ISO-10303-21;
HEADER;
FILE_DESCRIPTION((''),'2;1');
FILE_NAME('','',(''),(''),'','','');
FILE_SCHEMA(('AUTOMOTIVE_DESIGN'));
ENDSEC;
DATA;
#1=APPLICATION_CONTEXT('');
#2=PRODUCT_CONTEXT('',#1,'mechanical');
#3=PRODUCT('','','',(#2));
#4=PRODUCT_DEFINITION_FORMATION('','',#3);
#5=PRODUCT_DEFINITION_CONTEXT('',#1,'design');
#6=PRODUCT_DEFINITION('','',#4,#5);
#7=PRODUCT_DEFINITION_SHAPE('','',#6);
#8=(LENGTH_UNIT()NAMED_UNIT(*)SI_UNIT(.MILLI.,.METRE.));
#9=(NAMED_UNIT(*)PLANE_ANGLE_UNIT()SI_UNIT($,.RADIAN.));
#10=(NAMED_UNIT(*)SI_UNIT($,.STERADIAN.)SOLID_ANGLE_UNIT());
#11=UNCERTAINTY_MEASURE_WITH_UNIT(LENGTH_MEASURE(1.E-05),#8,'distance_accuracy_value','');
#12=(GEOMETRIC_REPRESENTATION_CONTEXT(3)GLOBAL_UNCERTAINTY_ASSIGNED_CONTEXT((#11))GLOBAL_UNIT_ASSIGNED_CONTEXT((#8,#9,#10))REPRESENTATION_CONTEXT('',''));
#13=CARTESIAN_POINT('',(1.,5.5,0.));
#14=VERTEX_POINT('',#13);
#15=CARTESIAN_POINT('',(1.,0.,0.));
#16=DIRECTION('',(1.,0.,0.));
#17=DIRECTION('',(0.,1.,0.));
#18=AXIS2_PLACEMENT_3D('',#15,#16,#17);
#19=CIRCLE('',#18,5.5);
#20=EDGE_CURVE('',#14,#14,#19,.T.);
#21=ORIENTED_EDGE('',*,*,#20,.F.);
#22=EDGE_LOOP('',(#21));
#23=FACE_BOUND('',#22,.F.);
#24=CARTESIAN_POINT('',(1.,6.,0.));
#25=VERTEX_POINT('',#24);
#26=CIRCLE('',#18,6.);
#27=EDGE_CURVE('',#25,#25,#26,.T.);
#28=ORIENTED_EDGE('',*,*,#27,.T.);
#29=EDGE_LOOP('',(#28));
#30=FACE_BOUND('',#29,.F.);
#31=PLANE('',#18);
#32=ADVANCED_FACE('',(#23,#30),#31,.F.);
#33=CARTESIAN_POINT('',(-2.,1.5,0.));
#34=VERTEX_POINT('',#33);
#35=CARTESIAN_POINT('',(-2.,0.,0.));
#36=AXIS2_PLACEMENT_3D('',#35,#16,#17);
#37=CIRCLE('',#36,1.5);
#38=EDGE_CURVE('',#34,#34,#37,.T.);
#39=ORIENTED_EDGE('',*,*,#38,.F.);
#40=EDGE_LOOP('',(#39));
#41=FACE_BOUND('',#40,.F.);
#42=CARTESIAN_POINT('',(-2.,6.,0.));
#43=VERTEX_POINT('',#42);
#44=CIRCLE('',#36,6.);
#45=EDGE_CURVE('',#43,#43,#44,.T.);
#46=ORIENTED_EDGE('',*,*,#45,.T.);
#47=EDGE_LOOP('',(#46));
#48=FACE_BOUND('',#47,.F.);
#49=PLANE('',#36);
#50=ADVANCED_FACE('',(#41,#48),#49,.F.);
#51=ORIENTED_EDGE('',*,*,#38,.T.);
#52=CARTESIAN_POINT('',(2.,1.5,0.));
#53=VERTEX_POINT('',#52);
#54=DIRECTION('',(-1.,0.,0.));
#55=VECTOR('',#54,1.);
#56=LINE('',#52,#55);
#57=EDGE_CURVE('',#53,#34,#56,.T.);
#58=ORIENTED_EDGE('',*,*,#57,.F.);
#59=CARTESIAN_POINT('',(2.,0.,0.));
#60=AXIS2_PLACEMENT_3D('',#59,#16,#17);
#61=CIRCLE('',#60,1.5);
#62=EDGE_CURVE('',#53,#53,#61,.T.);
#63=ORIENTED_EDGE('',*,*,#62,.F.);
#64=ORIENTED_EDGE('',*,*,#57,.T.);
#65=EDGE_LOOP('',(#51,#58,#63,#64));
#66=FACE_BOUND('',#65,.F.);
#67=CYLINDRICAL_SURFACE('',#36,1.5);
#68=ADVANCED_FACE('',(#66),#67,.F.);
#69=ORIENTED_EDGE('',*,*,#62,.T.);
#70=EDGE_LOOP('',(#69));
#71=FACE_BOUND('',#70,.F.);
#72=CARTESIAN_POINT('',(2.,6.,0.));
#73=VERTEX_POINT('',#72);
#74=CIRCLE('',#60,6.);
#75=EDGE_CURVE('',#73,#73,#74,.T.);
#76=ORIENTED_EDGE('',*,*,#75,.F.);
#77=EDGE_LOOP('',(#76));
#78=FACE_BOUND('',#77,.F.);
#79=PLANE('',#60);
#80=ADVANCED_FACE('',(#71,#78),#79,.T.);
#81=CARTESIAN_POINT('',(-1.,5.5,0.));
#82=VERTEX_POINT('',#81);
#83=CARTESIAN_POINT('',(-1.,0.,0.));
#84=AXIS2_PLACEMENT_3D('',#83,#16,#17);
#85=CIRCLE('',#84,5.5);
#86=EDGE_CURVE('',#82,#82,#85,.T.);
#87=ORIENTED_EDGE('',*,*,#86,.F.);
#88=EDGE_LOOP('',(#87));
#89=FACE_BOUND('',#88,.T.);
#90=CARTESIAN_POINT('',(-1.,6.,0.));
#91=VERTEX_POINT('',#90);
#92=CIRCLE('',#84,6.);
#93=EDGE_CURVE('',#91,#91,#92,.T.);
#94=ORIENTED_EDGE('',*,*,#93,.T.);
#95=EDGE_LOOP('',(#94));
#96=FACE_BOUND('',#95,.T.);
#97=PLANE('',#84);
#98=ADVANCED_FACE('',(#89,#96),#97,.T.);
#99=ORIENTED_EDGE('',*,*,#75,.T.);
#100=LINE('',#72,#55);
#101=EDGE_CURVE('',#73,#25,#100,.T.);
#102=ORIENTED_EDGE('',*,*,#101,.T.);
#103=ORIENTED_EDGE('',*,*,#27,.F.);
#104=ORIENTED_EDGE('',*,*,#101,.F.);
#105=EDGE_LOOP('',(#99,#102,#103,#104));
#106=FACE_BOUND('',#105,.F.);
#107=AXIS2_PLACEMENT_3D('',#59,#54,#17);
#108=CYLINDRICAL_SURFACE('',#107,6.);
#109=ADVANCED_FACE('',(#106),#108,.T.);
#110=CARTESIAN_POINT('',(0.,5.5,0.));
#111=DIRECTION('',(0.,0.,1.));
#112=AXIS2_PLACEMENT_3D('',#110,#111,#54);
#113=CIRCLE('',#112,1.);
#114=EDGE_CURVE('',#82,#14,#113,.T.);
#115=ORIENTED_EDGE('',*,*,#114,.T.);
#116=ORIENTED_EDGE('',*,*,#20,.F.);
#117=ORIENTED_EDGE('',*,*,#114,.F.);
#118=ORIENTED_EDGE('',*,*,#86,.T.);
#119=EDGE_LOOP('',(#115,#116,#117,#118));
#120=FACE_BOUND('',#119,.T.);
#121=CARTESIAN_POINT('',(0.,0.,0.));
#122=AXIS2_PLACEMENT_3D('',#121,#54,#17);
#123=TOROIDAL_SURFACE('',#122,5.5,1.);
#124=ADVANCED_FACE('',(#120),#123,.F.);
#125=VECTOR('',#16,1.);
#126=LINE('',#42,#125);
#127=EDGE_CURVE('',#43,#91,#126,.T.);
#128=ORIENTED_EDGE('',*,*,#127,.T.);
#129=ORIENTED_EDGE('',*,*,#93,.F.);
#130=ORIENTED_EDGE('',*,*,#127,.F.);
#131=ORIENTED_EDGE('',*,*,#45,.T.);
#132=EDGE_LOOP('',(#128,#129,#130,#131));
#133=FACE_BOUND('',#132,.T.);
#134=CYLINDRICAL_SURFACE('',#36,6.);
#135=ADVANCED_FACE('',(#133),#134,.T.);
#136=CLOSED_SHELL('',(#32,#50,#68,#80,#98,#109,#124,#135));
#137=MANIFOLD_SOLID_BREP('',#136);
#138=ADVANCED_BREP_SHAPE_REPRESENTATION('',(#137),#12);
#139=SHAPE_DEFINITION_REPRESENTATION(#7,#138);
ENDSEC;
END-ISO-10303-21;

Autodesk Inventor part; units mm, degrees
ref_plane "YZ Plane" through (0, 0, 0) normal (1, 0, 0) x (0, 1, 0)
ref_plane "XZ Plane" through (0, 0, 0) normal (0, 1, 0) x (-1, 0, 0)
ref_plane "XY Plane" through (0, 0, 0) normal (0, 0, 1) x (1, 0, 0)
sketch "スケッチ1" plane through (0, 0, 0) normal (0, 0, 1) x (1, 0, 0)
  line L0 (-2, 6) -> (-2, 1.5)
  line L1 (-2, 1.5) -> (2, 1.5)
  line L2 (2, 1.5) -> (2, 6)
  line L3 (-2, 6) -> (-1, 6)
  line L4 (2, 6) -> (1, 6)
  line L5 (1, 6) -> (1, 5.5)
  line L6 (-1, 6) -> (-1, 5.5)
  arc A0 (-1, 5.5) -> (1, 5.5) centre (0, 5.5) ccw
  line L7 (0, 5.5) -> (0, 1.5) construction
  line L8 (0, -1.2) -> (0, 7.2) projected
  line L9 (-2.8, 0) -> (2.8, 0) projected
  point P0 (0, 0)
  dimension "d0" = 1.5
  dimension "d1" = 6
  dimension "d2" = 1
  dimension "d3" = 1
  dimension "d4" = 0.5
revolve "回転1" add sketch "スケッチ1" angle 360 about axis through (-10, 0, 0) along (1, 0, 0)
properties part number "Pulley_Big"
